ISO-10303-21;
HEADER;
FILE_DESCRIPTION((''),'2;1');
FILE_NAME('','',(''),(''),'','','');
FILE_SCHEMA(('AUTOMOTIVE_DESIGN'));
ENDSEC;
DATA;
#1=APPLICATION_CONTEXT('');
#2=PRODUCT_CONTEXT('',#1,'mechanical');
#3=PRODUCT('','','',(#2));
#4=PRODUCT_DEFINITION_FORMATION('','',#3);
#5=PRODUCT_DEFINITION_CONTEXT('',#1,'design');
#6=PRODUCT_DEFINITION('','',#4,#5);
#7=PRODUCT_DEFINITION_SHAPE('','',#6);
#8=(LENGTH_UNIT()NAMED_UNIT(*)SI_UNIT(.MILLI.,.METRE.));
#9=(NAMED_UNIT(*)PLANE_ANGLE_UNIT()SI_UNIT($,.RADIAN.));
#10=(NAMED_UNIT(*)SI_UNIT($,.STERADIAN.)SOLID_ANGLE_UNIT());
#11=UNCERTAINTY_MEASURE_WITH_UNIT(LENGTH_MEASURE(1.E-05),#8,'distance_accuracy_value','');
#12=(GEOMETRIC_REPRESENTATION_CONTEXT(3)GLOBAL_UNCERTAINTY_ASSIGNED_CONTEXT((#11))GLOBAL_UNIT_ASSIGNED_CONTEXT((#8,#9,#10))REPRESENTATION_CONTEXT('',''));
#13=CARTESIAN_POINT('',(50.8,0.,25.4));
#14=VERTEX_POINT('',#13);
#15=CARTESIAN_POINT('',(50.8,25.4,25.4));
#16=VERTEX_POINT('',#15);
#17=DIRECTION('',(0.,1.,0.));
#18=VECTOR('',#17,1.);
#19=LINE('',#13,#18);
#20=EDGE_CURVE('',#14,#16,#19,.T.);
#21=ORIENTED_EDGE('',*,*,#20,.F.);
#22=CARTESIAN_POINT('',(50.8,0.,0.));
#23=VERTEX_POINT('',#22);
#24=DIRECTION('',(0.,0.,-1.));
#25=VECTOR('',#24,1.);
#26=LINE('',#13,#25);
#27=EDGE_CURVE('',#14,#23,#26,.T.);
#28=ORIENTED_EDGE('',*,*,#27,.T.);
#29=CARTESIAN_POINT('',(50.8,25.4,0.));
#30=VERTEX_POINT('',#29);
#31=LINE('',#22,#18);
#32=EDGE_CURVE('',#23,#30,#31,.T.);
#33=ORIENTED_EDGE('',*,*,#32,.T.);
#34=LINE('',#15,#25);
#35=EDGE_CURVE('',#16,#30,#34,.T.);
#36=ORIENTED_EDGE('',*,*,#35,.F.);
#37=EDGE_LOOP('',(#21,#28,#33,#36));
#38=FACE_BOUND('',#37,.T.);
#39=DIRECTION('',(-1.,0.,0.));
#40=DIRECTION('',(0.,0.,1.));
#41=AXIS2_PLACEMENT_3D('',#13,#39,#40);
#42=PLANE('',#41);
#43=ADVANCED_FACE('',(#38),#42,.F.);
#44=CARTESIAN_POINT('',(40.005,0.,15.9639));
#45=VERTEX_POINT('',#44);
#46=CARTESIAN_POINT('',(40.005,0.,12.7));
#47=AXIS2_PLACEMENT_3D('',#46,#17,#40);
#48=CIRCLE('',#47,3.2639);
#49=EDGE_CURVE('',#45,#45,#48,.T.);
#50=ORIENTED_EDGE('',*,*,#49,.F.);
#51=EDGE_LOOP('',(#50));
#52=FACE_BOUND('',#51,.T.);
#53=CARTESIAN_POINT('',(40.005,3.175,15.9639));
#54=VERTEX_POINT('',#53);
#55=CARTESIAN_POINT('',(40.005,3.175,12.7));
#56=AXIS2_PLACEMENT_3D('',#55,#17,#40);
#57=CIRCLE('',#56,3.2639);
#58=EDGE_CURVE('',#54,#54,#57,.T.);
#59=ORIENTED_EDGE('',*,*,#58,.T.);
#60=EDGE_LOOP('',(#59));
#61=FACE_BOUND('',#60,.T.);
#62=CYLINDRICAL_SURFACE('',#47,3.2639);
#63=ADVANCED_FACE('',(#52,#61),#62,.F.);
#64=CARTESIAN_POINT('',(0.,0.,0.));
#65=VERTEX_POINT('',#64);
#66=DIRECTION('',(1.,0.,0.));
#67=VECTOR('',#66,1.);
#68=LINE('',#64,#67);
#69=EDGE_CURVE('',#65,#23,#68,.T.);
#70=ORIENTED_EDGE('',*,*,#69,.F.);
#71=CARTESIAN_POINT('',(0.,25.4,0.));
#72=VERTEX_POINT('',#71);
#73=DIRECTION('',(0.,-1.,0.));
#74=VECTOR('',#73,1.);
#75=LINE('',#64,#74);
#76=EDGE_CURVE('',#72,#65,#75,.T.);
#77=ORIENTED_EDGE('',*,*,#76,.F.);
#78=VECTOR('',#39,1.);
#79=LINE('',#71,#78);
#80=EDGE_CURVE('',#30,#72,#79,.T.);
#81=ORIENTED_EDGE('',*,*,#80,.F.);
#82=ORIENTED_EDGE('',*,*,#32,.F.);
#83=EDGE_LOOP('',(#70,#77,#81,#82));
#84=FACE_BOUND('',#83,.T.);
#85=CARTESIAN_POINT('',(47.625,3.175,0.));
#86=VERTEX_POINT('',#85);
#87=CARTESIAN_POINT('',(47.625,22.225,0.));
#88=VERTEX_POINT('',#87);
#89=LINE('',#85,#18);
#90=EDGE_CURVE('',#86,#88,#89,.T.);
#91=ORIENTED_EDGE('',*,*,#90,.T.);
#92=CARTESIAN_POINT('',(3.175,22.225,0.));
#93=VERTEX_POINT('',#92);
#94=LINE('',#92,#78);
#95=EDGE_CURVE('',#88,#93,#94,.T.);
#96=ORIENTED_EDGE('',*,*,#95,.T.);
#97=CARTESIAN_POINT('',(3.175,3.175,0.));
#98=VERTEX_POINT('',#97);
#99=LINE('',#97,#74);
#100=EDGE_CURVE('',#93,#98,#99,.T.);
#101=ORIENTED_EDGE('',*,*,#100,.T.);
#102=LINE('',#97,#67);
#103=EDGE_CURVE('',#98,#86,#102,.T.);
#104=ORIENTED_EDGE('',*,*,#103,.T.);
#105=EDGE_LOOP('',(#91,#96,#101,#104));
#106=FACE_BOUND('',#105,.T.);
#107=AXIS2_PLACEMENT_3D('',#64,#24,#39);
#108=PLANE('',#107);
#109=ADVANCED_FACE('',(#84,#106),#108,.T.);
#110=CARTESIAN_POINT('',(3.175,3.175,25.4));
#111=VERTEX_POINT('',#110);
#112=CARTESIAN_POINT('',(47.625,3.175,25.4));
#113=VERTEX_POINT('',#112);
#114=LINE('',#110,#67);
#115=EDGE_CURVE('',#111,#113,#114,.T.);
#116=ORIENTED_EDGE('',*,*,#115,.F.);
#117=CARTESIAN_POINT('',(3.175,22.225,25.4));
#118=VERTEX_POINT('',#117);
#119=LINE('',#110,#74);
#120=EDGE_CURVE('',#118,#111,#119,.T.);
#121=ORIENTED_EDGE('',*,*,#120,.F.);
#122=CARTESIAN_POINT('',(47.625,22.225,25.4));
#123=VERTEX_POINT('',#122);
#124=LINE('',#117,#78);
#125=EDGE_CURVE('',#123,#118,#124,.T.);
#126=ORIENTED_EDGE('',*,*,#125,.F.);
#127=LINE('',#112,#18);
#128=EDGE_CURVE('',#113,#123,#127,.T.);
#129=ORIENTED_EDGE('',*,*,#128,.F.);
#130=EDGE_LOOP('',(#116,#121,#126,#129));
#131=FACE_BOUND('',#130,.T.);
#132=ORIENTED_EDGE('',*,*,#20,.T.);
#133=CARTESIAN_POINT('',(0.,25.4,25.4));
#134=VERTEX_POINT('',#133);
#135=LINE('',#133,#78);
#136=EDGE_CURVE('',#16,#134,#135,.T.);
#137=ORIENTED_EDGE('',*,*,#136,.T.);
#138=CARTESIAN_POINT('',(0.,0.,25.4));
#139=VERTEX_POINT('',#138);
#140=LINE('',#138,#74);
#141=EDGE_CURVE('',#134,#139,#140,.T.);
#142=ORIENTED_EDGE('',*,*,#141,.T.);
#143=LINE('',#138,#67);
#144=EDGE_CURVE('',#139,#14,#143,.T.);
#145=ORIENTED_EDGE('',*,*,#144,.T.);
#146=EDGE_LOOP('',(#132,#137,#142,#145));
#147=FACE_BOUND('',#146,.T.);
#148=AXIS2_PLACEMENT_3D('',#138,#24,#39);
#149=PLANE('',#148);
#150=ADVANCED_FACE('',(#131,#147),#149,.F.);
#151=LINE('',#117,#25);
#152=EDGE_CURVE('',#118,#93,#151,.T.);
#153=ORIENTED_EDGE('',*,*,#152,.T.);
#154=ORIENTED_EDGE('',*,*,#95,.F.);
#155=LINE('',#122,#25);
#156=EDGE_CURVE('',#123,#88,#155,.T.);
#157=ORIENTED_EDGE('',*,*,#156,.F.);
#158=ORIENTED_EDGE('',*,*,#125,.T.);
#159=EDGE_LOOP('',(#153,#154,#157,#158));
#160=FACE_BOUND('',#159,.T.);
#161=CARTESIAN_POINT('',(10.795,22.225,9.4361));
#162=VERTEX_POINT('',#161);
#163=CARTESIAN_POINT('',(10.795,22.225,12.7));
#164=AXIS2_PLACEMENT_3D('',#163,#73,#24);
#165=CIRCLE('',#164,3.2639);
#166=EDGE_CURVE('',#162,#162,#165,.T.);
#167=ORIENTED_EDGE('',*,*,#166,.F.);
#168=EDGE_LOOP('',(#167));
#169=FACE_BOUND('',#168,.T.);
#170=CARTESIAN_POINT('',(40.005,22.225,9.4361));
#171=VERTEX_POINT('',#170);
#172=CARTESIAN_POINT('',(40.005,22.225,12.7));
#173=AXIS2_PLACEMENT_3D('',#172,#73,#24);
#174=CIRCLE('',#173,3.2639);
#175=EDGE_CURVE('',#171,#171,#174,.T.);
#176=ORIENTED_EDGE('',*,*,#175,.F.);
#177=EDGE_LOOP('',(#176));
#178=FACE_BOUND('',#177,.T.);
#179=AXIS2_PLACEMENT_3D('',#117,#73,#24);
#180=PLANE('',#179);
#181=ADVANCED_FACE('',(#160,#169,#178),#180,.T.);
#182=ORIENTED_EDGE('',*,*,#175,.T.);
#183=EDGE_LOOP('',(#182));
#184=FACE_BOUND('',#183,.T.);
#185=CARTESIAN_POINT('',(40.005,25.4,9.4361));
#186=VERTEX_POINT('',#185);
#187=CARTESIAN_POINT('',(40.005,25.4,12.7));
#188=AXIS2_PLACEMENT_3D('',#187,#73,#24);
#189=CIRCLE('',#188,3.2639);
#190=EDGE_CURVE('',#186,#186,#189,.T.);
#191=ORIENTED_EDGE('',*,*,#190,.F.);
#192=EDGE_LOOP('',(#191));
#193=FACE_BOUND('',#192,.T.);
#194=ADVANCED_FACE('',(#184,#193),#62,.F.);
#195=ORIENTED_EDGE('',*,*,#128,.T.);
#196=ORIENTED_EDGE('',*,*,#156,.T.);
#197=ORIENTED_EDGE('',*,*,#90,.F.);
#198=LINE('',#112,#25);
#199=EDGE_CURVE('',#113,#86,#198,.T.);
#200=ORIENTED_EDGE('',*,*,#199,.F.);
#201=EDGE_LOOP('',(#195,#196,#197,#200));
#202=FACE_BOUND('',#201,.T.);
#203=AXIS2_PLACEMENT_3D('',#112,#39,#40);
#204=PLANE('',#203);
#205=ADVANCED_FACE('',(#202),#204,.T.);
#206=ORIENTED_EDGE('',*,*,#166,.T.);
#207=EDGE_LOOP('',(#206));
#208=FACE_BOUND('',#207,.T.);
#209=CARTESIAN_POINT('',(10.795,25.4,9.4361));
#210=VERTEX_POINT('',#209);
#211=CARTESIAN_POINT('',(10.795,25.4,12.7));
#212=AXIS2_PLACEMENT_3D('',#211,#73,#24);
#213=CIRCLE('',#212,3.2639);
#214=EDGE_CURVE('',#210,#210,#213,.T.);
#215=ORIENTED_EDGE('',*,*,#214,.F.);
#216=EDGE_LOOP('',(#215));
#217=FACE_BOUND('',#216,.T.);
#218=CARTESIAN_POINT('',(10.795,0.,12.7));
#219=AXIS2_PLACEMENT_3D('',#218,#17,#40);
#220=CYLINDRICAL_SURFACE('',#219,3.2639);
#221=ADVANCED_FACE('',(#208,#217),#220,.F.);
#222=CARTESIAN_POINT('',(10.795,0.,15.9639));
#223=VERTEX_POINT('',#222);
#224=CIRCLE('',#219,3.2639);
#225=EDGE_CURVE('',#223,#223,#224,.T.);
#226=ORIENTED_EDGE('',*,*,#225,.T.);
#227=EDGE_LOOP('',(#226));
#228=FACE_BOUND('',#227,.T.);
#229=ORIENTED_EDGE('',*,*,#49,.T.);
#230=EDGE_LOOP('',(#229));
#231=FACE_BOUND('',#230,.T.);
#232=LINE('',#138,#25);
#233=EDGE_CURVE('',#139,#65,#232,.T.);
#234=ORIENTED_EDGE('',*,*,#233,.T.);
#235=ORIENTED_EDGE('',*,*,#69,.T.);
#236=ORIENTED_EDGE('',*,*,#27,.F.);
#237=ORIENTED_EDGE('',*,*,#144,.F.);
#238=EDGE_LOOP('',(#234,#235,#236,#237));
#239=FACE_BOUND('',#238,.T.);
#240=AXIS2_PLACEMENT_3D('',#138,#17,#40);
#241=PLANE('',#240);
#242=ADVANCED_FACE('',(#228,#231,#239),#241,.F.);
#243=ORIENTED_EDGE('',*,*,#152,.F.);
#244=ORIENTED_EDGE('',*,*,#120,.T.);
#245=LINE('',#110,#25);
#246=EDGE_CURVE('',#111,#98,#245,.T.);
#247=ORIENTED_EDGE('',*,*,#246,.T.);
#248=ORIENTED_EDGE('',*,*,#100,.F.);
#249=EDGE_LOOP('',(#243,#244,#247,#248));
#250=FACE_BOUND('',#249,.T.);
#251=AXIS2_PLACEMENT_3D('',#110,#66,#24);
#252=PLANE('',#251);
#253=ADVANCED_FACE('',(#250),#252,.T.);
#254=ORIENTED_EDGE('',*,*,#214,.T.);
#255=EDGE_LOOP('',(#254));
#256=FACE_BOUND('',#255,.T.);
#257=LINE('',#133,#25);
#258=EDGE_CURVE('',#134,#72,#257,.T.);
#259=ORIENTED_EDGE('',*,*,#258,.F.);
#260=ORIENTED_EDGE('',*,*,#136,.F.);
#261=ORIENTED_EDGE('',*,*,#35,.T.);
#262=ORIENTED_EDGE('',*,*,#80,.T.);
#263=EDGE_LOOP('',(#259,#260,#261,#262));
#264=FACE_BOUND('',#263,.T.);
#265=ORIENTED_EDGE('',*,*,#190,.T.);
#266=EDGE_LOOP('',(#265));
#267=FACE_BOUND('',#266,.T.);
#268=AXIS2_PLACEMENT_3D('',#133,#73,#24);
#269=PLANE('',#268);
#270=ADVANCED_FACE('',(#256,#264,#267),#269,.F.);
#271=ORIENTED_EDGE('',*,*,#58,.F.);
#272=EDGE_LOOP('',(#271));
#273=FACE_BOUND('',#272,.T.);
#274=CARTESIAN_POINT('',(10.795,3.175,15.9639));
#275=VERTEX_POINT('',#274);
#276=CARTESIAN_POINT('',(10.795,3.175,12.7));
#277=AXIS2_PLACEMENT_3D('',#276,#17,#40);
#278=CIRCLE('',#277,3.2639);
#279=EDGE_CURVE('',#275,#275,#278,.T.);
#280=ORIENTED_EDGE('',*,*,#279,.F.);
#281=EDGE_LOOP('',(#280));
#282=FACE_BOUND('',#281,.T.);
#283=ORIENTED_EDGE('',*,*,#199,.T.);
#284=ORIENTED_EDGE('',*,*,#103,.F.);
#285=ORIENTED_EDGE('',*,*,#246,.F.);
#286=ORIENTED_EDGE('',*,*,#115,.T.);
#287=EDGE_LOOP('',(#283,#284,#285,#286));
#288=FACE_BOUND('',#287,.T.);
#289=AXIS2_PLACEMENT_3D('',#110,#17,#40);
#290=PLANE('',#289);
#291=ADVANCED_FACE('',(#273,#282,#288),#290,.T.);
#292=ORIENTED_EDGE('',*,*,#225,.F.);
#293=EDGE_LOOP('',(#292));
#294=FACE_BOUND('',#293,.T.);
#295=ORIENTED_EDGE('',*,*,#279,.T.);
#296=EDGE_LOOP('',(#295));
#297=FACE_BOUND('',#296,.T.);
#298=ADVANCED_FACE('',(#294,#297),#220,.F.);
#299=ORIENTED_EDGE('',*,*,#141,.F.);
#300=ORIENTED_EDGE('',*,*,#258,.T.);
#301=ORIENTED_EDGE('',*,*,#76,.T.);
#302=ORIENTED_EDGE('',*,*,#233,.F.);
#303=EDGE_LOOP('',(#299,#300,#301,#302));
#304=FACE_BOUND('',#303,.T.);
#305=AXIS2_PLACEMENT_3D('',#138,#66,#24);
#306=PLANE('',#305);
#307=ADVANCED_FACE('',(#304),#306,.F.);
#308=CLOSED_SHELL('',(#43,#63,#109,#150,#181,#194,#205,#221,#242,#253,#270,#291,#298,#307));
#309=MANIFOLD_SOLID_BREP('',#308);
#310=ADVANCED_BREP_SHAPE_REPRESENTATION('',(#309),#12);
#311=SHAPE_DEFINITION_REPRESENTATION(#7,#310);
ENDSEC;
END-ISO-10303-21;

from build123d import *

# Parameters (mm, degrees)
SKETCH1_W               = 50.8
SKETCH1_H               = 25.4
SKETCH1_W_2             = 44.45
SKETCH1_H_2             = 19.05
BOSS_EXTRUDE1_DEPTH     = 25.4
SKETCH8_R               = 3.2639
CUT_EXTRUDE1_DEPTH      = 1
CUT_EXTRUDE1_DEPTH_BACK = 26.4


with BuildPart() as part:
    # Sketch1 → Boss-Extrude1 (new body)
    with BuildSketch(Plane.XY):
        with Locations((25.4, 12.7)):
            Rectangle(SKETCH1_W, SKETCH1_H)
        with Locations((25.4, 12.7)):
            Rectangle(SKETCH1_W_2, SKETCH1_H_2, mode=Mode.SUBTRACT)
    extrude(amount=BOSS_EXTRUDE1_DEPTH)

    # Sketch8 → Cut-Extrude1 (cut, two sides)
    with BuildSketch(Plane(origin=(0, 25.4, 0), x_dir=(1, 0, 0), z_dir=(0, 1, 0))) as cut_extrude1_sk:
        with Locations((10.795, -12.7)):
            Circle(SKETCH8_R)
        with Locations((40.005, -12.7)):
            Circle(SKETCH8_R)
    extrude(amount=CUT_EXTRUDE1_DEPTH, mode=Mode.SUBTRACT)
    extrude(cut_extrude1_sk.sketch, amount=-CUT_EXTRUDE1_DEPTH_BACK, mode=Mode.SUBTRACT)


solid = part.part
